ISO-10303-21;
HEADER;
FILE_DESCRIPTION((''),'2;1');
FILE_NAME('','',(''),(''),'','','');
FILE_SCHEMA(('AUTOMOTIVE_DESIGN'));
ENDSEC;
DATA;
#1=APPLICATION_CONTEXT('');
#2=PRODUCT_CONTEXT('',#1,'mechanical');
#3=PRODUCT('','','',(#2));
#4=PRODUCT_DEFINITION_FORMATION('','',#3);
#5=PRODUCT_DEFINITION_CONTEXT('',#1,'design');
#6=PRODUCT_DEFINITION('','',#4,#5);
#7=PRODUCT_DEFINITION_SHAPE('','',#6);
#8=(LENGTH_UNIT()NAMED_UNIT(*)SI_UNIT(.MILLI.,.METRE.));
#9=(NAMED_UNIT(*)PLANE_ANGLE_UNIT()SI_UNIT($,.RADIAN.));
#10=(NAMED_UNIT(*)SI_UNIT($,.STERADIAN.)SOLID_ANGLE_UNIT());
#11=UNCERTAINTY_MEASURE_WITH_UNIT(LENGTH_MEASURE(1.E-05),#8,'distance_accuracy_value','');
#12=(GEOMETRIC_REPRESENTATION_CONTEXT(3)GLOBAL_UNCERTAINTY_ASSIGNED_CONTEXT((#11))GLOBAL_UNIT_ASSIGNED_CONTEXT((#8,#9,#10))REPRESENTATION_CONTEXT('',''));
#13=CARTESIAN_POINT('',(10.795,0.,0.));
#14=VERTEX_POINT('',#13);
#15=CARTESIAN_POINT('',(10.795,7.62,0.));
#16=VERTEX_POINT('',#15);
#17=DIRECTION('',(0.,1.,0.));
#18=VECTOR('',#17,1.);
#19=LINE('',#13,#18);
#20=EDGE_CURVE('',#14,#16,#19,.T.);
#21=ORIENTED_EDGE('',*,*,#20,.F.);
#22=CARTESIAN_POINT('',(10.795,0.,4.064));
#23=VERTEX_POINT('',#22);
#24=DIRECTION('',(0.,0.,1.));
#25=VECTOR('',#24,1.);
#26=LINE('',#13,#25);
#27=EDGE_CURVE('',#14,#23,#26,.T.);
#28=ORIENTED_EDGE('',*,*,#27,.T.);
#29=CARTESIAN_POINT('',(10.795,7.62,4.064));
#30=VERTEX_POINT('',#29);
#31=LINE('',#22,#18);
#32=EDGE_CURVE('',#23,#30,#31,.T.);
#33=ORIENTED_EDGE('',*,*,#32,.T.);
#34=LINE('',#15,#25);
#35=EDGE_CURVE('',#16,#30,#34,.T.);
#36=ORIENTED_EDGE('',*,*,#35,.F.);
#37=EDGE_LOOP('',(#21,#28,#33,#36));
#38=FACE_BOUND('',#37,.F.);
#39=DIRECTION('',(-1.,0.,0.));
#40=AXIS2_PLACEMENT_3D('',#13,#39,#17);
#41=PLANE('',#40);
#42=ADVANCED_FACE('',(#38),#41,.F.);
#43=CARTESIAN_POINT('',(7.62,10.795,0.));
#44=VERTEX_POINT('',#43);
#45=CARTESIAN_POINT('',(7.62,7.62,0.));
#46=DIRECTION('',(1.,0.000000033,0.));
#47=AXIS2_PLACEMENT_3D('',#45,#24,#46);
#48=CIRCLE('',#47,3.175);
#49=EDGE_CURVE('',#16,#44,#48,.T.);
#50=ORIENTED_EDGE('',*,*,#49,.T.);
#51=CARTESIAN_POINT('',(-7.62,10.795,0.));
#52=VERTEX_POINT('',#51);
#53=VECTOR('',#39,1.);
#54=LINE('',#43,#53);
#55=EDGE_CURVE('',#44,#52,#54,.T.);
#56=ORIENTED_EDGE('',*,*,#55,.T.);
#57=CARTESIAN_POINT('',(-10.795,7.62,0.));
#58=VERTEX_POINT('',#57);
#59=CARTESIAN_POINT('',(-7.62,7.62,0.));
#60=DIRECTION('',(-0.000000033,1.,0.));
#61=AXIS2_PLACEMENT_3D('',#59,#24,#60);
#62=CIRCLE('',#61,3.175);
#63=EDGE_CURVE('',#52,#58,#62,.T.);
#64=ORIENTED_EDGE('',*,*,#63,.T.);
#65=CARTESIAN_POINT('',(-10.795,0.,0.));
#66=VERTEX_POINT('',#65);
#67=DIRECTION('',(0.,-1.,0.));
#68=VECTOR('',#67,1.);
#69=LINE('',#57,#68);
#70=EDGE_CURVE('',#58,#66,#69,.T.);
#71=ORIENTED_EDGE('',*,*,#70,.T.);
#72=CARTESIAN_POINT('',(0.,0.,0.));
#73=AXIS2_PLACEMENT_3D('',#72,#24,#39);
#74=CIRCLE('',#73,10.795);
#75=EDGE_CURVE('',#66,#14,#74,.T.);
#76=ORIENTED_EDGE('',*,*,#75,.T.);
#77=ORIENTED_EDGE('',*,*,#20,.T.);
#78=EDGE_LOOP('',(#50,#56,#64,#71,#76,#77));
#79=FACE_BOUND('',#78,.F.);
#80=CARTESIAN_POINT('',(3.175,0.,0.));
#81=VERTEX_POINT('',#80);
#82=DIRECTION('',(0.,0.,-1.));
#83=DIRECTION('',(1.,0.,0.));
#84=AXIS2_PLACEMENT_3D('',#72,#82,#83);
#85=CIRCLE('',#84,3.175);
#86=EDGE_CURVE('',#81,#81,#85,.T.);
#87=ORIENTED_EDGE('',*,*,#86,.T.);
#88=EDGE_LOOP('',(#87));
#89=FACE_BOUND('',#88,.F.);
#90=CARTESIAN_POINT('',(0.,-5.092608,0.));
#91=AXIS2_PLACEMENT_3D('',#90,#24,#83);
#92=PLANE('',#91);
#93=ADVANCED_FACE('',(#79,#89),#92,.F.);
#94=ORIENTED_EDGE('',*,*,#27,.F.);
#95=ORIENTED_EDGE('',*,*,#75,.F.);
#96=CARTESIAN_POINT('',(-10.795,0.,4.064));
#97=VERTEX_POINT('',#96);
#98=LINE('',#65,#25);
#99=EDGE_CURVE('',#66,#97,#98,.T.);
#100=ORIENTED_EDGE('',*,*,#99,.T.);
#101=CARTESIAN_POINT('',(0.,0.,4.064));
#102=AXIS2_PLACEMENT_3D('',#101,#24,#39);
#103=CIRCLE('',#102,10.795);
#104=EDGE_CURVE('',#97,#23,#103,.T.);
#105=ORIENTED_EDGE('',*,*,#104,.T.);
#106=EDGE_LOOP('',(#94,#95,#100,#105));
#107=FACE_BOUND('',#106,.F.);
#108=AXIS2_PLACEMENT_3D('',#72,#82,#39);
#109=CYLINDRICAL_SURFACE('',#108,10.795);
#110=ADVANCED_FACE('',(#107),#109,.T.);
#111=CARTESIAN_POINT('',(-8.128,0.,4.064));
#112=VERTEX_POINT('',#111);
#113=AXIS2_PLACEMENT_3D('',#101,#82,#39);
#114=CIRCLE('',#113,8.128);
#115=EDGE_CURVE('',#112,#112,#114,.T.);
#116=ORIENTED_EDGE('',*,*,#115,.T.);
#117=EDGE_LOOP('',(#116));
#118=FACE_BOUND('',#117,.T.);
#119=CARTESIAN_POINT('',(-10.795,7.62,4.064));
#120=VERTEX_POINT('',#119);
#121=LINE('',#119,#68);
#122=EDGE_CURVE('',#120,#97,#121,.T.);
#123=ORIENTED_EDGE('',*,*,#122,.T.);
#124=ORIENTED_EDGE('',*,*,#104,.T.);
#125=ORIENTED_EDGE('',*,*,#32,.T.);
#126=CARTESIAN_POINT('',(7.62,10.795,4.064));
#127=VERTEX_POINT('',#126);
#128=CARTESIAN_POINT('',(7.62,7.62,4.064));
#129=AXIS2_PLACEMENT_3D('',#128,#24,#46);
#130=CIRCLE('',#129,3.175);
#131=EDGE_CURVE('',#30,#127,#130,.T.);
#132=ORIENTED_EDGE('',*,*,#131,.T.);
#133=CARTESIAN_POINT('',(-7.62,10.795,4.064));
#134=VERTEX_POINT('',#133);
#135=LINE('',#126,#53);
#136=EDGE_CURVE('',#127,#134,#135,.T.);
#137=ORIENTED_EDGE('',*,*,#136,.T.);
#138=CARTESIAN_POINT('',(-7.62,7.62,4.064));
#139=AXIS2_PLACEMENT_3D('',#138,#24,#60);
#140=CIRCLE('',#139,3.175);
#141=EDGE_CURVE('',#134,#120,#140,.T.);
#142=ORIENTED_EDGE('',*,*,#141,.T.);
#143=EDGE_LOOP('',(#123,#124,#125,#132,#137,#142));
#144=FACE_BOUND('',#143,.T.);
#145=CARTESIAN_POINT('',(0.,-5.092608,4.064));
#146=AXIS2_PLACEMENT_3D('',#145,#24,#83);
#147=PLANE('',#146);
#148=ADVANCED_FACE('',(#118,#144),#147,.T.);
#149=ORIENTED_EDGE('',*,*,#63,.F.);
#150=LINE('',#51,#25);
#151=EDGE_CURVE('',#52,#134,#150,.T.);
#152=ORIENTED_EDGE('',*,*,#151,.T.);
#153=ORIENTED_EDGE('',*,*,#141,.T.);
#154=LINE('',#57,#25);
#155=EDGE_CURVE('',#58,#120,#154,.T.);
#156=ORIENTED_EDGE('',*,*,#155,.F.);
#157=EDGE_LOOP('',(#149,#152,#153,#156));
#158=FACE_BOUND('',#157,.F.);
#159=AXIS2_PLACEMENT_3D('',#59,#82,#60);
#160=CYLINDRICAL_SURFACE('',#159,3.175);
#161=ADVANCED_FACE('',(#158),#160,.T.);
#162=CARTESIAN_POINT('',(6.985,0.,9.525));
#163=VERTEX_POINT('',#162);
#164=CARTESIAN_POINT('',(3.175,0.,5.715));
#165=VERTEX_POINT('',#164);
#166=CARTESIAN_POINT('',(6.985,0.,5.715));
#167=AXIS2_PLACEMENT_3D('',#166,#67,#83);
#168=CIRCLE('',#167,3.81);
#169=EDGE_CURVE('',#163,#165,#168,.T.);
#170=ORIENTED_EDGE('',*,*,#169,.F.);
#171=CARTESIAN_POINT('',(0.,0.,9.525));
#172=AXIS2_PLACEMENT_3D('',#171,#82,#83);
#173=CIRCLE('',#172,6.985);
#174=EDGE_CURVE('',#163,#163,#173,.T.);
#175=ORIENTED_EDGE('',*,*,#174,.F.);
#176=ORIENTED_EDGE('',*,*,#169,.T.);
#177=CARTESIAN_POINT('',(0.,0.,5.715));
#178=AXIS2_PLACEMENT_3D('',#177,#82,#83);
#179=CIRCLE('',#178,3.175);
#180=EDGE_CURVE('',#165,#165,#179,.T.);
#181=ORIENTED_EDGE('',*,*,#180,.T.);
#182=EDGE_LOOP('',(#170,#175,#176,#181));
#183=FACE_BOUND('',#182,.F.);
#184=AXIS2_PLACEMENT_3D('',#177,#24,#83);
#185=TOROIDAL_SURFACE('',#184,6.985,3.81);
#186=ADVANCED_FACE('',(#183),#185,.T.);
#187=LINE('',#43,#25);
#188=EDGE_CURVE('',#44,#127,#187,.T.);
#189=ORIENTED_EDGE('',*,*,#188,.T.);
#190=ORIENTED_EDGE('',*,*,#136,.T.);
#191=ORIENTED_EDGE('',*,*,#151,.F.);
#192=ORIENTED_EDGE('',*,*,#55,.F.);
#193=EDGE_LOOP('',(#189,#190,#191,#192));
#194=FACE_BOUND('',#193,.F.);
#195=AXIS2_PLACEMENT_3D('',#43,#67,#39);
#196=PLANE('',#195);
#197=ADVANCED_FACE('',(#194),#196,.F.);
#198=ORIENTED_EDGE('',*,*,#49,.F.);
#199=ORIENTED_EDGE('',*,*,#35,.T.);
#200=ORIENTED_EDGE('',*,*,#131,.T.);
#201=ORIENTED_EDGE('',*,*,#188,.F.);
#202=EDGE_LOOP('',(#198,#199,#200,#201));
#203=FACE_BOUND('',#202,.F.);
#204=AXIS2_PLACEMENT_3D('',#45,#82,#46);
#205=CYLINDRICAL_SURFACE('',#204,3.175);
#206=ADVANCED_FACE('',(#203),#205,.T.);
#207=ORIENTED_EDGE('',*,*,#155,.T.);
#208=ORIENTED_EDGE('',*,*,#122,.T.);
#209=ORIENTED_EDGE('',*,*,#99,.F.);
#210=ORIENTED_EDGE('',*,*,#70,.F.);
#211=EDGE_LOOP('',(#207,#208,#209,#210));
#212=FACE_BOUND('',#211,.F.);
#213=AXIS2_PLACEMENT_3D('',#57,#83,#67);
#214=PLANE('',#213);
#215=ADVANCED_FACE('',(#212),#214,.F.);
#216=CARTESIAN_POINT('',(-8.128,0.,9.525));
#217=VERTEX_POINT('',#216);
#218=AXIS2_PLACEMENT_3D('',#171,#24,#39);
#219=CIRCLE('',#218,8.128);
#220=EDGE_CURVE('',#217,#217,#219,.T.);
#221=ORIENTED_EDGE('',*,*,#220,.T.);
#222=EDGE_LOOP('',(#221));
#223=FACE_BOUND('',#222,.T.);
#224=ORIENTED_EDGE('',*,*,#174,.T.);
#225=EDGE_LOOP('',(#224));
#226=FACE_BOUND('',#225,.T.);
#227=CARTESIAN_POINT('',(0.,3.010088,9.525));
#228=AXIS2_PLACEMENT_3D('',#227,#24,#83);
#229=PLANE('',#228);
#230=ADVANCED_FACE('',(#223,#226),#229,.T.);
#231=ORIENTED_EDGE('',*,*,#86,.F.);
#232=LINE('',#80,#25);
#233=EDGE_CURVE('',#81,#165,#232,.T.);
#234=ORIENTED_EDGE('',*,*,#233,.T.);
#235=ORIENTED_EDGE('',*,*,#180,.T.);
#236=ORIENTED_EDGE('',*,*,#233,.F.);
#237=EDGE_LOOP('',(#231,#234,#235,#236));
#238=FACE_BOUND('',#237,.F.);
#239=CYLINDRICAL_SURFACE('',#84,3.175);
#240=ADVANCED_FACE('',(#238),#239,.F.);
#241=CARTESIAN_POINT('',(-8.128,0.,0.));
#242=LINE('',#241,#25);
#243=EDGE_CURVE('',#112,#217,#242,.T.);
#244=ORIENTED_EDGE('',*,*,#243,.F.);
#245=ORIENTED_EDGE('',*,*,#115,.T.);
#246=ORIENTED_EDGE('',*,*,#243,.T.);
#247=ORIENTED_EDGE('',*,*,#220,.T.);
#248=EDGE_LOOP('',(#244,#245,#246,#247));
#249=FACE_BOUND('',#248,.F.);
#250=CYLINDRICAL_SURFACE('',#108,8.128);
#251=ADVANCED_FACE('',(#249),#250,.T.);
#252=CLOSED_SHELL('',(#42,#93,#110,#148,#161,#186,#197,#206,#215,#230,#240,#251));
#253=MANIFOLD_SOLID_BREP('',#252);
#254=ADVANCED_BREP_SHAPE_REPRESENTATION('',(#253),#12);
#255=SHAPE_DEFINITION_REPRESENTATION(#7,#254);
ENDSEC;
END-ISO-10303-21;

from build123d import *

# Parameters (mm, degrees)
F1_DEPTH = 4.064
F2_DEPTH = 9.525
F3_R     = 3.81


with BuildPart() as f1:
    # F0 (on Top) → F1 (new body)
    with BuildSketch(Plane.XY):
        with BuildLine():
            Line((-8.128, 0), (-10.795, 0))
            ThreePointArc((-10.795, 0), (0, -10.795), (10.795, 0))
            Line((10.795, 0), (8.128, 0))
            ThreePointArc((8.128, 0), (0, -8.128), (-8.128, 0))
        make_face()
        with BuildLine():
            ThreePointArc((0, 10.795), (-7.633218, 7.633218), (-10.795, 0))
            Line((-10.795, 0), (-8.128, 0))
            ThreePointArc((-8.128, 0), (0, 8.128), (8.128, 0))
            Line((8.128, 0), (10.795, 0))
            ThreePointArc((10.795, 0), (7.633218, 7.633218), (0, 10.795))
        make_face()
        with BuildLine():
            Line((-10.795, 7.62), (-10.795, 0))
            ThreePointArc((-10.795, 0), (-7.633218, 7.633218), (0, 10.795))
            Line((0, 10.795), (-7.62, 10.795))
            ThreePointArc((-7.62, 10.795), (-9.865064, 9.865064), (-10.795, 7.62))
        make_face()
        with BuildLine():
            ThreePointArc((0, 10.795), (7.633218, 7.633218), (10.795, 0))
            Line((10.795, 0), (10.795, 7.62))
            ThreePointArc((10.795, 7.62), (9.865064, 9.865064), (7.62, 10.795))
            Line((7.62, 10.795), (0, 10.795))
        make_face()
    extrude(amount=F1_DEPTH)

    # F0 (on Top) → F2 (join)
    with BuildSketch(Plane.XY):
        with BuildLine():
            ThreePointArc((8.128, 0), (0, 8.128), (-8.128, 0))
            Line((-8.128, 0), (-3.175, 0))
            ThreePointArc((-3.175, 0), (0, 3.175), (3.175, 0))
            Line((3.175, 0), (8.128, 0))
        make_face()
        with BuildLine():
            Line((-3.175, 0), (-8.128, 0))
            ThreePointArc((-8.128, 0), (0, -8.128), (8.128, 0))
            Line((8.128, 0), (3.175, 0))
            ThreePointArc((3.175, 0), (0, -3.175), (-3.175, 0))
        make_face()
    extrude(amount=F2_DEPTH)

    # F3
    f3_edges = [f1.edges().sort_by_distance(p)[0] for p in [
        (-3.175, 0, 9.525),
    ]]
    fillet(f3_edges, radius=F3_R)


solid = f1.part
